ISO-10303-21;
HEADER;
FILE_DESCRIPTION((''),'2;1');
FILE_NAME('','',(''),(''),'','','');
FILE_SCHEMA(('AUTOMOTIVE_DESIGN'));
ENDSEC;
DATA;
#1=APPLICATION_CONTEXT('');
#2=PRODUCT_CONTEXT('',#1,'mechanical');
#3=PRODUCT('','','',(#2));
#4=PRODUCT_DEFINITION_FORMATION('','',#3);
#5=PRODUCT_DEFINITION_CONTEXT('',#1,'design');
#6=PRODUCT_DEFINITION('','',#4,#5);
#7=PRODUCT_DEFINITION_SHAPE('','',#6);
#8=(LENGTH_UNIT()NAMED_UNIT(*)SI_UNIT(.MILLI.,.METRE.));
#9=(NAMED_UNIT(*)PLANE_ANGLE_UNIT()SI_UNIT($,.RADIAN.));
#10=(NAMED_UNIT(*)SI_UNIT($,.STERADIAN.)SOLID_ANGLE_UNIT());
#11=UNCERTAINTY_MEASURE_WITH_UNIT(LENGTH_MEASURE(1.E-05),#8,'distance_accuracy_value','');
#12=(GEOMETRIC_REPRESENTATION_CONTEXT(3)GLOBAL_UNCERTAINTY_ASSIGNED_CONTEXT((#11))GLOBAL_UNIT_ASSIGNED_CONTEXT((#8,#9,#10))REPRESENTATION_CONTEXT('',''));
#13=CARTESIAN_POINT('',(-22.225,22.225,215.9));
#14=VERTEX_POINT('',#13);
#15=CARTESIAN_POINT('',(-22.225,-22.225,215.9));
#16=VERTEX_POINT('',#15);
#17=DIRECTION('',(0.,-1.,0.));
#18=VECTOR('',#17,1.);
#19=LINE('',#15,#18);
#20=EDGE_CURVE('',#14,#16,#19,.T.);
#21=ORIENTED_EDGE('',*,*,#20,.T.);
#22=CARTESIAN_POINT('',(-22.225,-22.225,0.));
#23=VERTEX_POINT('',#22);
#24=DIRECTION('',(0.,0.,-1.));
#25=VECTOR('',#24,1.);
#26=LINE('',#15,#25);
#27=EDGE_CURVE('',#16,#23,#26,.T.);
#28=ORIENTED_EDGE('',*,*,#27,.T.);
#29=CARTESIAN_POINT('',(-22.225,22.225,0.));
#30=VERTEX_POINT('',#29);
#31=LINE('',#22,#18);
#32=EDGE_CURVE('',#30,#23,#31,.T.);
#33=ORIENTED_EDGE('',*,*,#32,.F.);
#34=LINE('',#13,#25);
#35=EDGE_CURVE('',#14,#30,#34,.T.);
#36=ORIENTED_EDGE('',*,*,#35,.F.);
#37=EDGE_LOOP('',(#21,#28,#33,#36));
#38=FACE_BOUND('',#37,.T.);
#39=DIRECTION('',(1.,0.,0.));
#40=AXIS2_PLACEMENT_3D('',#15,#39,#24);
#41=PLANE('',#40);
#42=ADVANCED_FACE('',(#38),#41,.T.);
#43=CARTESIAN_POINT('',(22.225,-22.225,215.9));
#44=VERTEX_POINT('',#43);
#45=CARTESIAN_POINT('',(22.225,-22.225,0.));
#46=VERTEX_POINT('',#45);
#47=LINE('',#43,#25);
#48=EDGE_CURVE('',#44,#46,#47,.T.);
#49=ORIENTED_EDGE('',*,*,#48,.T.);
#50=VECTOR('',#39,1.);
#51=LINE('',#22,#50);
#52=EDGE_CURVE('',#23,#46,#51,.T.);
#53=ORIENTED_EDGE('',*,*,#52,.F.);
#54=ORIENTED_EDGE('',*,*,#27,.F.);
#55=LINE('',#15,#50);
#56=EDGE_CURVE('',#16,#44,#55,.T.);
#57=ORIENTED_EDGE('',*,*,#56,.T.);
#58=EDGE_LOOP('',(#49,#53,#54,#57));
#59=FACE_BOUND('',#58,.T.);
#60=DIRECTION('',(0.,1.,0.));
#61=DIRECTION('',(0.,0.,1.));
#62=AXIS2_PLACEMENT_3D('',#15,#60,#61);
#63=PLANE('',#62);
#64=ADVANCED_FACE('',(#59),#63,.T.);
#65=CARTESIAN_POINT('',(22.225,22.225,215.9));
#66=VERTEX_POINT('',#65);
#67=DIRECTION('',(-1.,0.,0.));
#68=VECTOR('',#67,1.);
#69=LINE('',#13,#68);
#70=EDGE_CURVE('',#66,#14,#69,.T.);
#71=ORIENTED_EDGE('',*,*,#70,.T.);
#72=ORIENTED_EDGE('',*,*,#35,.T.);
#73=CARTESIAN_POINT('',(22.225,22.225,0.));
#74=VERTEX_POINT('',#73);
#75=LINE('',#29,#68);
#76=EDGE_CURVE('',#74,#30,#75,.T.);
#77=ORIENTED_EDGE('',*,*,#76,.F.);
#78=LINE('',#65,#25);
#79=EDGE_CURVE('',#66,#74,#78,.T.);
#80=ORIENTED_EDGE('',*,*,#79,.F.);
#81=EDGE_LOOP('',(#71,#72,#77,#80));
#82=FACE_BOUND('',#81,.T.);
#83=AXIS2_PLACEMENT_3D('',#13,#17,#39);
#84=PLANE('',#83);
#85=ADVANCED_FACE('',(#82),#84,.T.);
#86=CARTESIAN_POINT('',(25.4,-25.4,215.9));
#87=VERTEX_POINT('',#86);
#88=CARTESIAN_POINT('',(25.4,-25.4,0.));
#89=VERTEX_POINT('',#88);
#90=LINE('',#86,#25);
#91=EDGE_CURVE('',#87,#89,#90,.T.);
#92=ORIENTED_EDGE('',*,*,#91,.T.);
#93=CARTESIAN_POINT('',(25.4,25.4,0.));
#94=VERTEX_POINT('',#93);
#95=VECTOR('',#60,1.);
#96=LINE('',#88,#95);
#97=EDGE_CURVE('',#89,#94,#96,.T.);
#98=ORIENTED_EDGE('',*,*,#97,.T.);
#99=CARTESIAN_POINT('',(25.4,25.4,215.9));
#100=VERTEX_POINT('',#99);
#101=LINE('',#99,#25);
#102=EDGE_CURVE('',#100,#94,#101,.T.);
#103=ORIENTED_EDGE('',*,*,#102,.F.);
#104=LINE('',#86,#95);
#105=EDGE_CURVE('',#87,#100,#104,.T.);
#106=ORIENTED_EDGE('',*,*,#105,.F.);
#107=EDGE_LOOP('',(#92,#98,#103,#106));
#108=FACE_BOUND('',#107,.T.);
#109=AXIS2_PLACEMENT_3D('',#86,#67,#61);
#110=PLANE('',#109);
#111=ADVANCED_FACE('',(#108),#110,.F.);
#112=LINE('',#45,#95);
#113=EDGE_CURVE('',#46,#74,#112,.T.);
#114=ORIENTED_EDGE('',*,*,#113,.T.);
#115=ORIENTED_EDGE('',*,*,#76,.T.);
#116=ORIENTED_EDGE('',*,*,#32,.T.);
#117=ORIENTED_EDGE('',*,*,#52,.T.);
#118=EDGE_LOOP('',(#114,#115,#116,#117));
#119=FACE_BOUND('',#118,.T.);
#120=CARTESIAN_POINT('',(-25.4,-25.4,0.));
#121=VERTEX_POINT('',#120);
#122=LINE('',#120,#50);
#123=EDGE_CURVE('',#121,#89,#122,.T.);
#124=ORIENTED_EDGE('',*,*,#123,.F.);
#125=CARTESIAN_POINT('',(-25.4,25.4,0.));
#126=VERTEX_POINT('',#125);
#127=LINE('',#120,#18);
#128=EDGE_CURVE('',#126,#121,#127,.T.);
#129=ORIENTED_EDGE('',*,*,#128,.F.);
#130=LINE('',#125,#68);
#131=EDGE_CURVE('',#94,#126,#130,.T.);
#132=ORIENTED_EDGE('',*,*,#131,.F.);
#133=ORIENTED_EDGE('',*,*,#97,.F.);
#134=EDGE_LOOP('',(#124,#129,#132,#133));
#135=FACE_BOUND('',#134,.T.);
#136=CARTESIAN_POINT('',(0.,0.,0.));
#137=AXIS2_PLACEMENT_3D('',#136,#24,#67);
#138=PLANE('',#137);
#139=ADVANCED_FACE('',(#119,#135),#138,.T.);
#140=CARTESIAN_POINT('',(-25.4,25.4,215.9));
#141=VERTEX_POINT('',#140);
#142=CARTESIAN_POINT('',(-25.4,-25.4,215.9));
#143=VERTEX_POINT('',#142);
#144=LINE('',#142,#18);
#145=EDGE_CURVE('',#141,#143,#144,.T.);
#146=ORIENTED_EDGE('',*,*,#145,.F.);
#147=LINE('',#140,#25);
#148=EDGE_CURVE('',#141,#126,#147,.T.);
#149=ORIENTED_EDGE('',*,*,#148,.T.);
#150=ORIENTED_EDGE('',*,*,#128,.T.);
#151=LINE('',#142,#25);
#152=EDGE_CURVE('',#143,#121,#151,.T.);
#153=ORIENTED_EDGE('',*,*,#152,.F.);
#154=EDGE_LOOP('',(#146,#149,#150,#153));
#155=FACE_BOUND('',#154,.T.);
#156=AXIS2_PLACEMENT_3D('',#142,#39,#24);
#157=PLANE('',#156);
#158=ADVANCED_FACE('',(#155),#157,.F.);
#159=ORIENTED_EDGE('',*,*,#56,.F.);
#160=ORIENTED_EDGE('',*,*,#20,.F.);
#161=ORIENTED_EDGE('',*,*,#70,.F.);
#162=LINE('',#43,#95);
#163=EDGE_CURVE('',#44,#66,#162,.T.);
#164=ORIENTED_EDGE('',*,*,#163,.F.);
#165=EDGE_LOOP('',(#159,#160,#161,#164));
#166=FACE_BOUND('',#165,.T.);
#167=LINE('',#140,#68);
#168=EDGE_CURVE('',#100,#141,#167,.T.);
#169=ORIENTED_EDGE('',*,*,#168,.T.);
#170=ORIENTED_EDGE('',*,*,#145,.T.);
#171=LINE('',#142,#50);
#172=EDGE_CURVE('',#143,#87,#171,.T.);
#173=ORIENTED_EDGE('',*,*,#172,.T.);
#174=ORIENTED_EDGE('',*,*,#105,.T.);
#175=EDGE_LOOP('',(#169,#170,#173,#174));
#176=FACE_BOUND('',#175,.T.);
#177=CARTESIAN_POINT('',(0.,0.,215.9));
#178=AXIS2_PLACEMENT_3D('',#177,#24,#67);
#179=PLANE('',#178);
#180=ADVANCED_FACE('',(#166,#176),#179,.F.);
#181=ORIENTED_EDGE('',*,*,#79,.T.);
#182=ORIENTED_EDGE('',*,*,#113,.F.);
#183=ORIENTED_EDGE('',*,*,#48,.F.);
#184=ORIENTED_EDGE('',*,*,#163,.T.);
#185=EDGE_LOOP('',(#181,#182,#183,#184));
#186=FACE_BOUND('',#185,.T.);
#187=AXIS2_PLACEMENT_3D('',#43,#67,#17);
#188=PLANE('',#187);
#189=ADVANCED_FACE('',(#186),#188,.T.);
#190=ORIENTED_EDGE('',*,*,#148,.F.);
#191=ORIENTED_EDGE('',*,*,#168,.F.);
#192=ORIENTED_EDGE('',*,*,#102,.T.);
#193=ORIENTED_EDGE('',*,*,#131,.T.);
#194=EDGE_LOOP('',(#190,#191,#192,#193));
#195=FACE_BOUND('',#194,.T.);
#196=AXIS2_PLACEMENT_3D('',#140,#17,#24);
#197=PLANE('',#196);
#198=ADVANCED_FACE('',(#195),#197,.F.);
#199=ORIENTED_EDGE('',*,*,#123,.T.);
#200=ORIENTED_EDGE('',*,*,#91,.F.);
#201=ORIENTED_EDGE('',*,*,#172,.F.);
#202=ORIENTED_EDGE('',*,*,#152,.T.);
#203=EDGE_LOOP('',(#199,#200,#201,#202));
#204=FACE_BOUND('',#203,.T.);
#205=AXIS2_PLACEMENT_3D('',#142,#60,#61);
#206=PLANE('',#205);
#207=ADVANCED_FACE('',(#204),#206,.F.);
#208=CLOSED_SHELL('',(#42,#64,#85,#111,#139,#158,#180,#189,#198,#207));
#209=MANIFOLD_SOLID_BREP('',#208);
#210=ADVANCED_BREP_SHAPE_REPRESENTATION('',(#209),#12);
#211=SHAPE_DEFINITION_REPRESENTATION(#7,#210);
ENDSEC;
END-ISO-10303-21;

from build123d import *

# Parameters (mm, degrees)
SKETCH1_W           = 50.8
SKETCH1_H           = 50.8
SKETCH1_W_2         = 44.45
SKETCH1_H_2         = 44.45
BOSS_EXTRUDE1_DEPTH = 215.9


with BuildPart() as part:
    # Sketch1 → Boss-Extrude1 (new body)
    with BuildSketch(Plane.XY):
        Rectangle(SKETCH1_W, SKETCH1_H)
        Rectangle(SKETCH1_W_2, SKETCH1_H_2, mode=Mode.SUBTRACT)
    extrude(amount=BOSS_EXTRUDE1_DEPTH)


solid = part.part
